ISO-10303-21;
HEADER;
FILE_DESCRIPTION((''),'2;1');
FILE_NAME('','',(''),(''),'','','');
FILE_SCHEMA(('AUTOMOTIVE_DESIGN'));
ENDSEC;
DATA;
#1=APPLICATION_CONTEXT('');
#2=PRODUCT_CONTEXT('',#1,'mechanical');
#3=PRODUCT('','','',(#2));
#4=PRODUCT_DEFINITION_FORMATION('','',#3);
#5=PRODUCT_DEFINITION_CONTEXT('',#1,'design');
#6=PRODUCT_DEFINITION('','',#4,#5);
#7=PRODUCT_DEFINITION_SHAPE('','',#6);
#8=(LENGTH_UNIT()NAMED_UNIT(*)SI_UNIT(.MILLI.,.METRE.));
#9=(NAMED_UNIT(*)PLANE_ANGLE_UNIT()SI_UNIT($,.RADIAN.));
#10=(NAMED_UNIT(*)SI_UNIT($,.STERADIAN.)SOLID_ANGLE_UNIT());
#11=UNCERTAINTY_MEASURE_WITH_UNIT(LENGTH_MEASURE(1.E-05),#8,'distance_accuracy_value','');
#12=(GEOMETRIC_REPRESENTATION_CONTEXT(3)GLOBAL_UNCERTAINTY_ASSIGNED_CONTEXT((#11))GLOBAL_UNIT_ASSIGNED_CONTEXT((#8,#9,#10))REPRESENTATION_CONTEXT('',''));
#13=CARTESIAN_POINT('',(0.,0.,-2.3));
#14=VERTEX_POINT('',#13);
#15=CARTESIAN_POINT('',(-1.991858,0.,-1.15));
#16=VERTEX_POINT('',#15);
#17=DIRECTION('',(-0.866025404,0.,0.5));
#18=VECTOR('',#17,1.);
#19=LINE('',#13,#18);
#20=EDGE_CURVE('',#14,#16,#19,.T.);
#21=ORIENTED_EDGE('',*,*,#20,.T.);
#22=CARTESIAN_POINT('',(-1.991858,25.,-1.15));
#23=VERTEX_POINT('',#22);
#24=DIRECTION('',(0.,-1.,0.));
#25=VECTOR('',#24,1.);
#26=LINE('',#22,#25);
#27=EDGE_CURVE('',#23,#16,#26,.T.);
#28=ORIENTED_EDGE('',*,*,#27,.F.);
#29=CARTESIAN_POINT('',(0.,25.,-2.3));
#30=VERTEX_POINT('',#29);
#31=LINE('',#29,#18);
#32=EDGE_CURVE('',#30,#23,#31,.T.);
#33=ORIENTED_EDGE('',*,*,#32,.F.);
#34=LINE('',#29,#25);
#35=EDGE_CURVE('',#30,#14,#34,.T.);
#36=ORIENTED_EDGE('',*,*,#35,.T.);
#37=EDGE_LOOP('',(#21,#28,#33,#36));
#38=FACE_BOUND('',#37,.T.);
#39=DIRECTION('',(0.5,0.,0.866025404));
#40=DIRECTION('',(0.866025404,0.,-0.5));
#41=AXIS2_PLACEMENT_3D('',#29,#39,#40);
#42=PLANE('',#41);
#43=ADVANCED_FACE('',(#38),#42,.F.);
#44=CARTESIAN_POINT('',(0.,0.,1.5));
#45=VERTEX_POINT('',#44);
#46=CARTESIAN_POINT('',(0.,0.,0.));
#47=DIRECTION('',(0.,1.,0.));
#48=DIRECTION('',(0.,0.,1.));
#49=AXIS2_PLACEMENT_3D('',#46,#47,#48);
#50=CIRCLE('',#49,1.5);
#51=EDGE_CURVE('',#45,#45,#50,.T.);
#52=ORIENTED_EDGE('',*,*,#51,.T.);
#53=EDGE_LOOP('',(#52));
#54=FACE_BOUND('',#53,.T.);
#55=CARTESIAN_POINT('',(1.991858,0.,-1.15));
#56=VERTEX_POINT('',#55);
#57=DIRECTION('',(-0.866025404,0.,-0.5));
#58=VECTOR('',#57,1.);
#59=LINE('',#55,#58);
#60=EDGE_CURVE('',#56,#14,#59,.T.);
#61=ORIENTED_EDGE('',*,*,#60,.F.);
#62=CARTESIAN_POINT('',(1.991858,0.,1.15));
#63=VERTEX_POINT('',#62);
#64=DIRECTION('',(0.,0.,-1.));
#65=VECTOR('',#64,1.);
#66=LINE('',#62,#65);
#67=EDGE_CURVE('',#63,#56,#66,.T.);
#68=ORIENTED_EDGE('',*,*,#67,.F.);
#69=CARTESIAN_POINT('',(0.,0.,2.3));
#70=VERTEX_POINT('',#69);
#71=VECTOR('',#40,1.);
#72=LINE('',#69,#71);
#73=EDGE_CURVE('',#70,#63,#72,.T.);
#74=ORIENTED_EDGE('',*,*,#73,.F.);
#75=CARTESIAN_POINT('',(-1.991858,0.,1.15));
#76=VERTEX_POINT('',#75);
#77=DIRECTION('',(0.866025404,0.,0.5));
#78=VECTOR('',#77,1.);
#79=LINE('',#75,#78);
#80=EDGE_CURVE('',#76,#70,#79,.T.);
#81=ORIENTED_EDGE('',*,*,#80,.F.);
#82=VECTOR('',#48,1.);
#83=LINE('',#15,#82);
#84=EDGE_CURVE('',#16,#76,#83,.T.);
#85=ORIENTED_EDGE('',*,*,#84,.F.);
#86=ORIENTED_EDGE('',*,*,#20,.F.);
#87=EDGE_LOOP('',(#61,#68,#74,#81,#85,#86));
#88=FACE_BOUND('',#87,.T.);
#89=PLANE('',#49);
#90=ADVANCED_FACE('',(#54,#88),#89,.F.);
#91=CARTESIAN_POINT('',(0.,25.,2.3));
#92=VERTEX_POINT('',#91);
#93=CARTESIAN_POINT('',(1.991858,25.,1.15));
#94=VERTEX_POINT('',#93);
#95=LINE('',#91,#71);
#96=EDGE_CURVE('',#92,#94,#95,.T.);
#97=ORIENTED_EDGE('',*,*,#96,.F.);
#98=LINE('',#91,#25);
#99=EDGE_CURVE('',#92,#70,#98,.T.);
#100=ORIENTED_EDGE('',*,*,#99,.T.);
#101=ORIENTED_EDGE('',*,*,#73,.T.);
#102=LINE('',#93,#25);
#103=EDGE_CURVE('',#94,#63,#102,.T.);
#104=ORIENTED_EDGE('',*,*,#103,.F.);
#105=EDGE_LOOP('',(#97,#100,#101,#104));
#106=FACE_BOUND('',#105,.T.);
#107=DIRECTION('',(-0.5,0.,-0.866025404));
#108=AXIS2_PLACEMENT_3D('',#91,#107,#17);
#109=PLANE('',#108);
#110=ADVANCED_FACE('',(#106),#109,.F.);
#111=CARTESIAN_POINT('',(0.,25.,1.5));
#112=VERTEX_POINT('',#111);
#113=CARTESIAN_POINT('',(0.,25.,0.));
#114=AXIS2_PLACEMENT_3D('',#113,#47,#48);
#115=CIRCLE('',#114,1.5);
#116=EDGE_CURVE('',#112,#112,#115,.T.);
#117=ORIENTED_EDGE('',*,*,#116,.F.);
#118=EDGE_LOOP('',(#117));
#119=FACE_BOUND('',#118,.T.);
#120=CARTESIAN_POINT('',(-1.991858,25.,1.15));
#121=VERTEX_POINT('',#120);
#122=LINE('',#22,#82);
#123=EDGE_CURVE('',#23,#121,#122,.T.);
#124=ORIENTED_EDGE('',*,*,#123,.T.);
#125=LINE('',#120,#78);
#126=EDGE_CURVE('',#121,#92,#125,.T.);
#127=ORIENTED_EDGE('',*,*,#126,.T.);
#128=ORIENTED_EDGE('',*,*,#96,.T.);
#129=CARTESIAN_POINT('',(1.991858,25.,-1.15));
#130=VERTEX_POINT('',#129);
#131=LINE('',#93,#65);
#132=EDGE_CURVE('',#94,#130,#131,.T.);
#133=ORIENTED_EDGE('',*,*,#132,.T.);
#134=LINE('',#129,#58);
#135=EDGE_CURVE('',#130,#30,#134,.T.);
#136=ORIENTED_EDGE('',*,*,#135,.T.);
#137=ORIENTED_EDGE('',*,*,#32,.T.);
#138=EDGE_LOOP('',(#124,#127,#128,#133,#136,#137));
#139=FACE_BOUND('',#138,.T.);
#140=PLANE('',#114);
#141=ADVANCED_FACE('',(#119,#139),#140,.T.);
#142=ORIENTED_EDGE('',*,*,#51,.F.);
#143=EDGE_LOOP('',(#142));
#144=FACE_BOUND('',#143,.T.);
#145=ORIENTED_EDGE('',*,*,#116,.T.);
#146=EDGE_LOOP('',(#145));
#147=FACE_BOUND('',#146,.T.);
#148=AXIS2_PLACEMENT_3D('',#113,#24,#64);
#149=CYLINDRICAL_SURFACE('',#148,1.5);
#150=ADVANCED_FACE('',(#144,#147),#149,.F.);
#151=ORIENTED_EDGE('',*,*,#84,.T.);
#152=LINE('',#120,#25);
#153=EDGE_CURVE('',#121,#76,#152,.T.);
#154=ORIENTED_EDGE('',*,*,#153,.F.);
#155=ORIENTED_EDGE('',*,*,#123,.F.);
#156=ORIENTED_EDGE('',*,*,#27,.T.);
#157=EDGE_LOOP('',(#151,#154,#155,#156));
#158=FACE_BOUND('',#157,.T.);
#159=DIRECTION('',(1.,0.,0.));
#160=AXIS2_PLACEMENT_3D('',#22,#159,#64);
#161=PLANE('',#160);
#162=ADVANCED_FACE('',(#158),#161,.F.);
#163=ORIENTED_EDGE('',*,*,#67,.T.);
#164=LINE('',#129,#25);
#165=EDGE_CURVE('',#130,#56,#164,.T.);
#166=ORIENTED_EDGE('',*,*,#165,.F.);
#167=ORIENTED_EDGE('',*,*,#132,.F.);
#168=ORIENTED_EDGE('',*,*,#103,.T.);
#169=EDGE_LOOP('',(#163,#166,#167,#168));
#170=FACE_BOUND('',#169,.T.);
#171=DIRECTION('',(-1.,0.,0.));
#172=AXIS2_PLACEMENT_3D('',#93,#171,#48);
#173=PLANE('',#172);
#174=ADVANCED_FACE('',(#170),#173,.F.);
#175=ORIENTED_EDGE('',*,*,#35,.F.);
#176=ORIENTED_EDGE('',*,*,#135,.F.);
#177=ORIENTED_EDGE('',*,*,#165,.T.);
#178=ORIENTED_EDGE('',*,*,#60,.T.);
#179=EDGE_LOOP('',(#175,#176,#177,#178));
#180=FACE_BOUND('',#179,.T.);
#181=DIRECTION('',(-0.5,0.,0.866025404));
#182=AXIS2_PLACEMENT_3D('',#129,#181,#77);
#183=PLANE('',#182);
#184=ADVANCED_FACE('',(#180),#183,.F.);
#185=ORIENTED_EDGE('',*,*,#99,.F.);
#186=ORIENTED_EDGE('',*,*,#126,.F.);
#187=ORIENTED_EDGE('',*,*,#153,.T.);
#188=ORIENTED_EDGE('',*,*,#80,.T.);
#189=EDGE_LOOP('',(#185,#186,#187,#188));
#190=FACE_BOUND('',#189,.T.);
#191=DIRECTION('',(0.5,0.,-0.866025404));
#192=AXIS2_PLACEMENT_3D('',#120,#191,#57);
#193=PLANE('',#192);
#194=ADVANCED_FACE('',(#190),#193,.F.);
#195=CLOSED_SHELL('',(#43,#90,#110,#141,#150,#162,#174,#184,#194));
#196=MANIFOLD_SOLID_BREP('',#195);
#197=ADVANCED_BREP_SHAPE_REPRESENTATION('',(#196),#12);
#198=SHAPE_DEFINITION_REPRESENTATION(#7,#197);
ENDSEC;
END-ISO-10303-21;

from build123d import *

# Parameters (mm, degrees)
SKETCH_1_R      = 1.5
EXTRUDE_1_DEPTH = 25


with BuildPart() as part:
    # 草图1 → 凸台-拉伸1 (new body)
    with BuildSketch(Plane(origin=(0, 0, 0), x_dir=(1, 0, 0), z_dir=(0, 1, 0))):
        Polygon((0, 2.3), (-1.991858429, 1.15), (-1.991858429, -1.15), (0, -2.3), (1.991858429, -1.15), (1.991858429, 1.15), align=None)
        with Locations(Location((0, 0, 0), (0, 0, 270))):
            Circle(SKETCH_1_R, mode=Mode.SUBTRACT)
    extrude(amount=EXTRUDE_1_DEPTH)


solid = part.part
